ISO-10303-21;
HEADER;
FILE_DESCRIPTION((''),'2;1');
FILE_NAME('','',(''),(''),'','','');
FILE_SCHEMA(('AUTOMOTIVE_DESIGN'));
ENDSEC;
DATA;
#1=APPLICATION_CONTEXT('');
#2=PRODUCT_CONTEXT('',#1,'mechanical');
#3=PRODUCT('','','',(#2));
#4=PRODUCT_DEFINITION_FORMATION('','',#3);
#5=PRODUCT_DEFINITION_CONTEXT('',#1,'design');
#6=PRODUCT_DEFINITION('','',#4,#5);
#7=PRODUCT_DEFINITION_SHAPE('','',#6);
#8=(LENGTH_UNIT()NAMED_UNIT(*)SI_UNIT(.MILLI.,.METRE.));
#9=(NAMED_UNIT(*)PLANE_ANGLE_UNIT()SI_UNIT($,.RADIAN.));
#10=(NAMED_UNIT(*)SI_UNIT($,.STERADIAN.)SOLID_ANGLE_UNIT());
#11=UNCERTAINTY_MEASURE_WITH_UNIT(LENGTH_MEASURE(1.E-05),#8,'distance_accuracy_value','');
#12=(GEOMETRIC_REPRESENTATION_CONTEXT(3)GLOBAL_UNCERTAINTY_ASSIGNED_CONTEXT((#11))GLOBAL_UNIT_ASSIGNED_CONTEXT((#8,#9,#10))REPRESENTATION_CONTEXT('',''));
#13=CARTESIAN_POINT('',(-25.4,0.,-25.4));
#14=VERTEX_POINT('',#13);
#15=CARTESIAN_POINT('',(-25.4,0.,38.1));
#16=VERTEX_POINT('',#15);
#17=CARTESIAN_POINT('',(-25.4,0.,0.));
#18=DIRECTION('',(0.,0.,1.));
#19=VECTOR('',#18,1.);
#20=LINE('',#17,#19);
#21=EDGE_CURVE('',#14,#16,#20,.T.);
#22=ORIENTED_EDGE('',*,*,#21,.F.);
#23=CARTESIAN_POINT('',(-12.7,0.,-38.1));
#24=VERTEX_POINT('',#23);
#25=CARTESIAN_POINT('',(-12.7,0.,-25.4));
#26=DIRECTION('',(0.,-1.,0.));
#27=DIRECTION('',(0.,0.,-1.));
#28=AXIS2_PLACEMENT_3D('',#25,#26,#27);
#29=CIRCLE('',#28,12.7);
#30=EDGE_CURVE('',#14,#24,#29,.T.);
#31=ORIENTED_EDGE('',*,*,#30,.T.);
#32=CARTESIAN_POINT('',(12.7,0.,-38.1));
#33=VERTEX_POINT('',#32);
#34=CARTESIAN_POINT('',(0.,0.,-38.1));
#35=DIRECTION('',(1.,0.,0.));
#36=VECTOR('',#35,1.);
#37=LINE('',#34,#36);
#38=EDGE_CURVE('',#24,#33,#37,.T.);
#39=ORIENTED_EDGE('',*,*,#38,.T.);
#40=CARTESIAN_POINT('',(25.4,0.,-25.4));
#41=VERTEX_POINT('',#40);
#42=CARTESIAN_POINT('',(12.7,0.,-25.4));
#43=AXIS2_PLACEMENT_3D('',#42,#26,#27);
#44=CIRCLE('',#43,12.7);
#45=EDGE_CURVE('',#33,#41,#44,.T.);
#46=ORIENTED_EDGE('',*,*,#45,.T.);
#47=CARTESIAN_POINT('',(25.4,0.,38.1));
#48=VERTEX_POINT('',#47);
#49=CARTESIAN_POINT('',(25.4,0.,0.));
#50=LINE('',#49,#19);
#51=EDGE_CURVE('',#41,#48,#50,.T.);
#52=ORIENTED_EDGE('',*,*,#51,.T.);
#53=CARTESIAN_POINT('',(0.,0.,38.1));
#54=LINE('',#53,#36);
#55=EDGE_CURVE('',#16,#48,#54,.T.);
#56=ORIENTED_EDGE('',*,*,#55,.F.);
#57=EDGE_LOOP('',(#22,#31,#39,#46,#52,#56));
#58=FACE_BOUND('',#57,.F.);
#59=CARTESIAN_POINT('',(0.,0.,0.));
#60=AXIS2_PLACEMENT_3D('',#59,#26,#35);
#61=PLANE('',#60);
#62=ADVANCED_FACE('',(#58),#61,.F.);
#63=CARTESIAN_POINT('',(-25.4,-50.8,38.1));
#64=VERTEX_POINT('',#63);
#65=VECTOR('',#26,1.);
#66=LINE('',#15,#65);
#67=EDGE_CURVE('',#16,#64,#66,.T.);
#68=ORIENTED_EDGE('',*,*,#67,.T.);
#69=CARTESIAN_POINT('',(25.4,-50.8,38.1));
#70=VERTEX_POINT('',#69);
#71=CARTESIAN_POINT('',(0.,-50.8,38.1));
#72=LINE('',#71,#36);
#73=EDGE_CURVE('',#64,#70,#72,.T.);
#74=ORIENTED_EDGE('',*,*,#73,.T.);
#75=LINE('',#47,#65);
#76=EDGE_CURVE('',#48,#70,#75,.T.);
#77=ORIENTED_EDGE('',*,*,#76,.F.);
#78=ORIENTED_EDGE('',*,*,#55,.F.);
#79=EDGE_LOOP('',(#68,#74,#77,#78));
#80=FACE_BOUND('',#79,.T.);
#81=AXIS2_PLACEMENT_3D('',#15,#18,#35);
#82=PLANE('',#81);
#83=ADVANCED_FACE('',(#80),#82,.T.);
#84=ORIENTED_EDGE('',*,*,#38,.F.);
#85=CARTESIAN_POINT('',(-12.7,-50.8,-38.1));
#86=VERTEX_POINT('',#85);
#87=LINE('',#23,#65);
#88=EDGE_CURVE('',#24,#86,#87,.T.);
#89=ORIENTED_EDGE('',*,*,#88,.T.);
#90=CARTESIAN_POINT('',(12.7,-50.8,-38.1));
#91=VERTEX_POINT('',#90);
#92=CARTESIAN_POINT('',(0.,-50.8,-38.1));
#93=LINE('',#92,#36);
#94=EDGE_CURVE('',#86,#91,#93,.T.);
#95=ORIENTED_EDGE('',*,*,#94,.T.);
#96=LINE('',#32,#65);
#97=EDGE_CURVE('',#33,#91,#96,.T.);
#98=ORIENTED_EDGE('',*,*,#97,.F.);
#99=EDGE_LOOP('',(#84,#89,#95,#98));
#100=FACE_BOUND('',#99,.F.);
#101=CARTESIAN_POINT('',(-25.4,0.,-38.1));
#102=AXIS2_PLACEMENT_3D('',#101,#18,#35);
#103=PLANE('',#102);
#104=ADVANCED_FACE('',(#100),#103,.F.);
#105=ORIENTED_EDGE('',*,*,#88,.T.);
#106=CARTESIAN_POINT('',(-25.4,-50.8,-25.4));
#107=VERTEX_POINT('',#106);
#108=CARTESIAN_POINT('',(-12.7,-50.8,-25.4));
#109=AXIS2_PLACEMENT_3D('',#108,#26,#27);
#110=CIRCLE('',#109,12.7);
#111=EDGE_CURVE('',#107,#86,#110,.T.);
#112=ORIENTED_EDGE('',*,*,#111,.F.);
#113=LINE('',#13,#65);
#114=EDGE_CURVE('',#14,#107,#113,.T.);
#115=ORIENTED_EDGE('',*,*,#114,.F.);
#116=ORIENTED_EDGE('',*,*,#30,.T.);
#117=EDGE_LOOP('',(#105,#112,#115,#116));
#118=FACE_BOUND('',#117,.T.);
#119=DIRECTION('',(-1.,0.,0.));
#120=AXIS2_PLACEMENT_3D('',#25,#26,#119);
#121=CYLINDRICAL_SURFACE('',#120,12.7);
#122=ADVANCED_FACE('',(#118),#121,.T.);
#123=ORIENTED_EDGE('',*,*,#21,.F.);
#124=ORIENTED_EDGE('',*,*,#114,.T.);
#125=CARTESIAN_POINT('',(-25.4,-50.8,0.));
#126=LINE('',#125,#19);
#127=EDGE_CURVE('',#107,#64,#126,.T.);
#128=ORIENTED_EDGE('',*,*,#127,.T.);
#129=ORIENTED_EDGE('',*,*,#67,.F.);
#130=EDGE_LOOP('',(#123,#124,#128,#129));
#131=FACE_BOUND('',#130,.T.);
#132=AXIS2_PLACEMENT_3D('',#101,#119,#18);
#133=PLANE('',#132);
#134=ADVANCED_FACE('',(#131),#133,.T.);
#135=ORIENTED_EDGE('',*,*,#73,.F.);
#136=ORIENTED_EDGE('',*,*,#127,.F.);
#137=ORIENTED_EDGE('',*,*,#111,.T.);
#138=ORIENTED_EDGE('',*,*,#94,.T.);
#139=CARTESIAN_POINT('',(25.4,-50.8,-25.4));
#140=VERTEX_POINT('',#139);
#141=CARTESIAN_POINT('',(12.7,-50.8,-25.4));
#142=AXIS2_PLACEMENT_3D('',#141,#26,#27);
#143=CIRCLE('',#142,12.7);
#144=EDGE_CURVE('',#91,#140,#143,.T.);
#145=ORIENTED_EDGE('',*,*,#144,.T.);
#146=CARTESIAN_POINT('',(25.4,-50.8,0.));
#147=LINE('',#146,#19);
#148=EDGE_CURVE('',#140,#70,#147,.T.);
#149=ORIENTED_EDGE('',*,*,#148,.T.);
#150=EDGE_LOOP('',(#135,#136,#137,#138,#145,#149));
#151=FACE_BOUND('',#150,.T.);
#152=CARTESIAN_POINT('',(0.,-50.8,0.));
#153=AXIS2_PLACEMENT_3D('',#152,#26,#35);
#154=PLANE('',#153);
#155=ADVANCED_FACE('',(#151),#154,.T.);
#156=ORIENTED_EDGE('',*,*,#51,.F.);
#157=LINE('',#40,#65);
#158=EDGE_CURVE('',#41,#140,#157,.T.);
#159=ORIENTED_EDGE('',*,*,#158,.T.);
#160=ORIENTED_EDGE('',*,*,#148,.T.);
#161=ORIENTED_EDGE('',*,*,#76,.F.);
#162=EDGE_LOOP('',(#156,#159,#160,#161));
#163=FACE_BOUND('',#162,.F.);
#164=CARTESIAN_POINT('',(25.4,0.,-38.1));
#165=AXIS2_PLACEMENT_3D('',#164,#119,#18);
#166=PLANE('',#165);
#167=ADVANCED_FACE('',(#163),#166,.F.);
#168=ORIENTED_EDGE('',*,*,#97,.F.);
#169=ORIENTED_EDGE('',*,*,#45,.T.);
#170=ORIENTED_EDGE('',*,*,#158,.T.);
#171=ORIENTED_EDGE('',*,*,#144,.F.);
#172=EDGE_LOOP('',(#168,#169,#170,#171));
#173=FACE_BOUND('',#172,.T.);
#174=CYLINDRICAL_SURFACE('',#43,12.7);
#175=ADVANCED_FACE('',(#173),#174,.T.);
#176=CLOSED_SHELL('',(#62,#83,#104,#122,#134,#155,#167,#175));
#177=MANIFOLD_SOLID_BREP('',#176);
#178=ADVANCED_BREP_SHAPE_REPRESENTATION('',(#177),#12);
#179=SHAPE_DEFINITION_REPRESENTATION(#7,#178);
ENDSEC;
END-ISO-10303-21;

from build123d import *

# Parameters (mm, degrees)
F0_W     = 50.8
F0_H     = 76.2
F1_DEPTH = 50.8
F2_R     = 12.7


with BuildPart() as f1:
    # F0 (on Front) → F1 (new body)
    with BuildSketch(Plane.XZ):
        Rectangle(F0_W, F0_H)
    extrude(amount=F1_DEPTH)

    # F2
    f2_edges = [f1.edges().sort_by_distance(p)[0] for p in [
        (-25.4, -25.4, -38.1),
        (25.4, -25.4, -38.1),
    ]]
    fillet(f2_edges, radius=F2_R)


solid = f1.part
